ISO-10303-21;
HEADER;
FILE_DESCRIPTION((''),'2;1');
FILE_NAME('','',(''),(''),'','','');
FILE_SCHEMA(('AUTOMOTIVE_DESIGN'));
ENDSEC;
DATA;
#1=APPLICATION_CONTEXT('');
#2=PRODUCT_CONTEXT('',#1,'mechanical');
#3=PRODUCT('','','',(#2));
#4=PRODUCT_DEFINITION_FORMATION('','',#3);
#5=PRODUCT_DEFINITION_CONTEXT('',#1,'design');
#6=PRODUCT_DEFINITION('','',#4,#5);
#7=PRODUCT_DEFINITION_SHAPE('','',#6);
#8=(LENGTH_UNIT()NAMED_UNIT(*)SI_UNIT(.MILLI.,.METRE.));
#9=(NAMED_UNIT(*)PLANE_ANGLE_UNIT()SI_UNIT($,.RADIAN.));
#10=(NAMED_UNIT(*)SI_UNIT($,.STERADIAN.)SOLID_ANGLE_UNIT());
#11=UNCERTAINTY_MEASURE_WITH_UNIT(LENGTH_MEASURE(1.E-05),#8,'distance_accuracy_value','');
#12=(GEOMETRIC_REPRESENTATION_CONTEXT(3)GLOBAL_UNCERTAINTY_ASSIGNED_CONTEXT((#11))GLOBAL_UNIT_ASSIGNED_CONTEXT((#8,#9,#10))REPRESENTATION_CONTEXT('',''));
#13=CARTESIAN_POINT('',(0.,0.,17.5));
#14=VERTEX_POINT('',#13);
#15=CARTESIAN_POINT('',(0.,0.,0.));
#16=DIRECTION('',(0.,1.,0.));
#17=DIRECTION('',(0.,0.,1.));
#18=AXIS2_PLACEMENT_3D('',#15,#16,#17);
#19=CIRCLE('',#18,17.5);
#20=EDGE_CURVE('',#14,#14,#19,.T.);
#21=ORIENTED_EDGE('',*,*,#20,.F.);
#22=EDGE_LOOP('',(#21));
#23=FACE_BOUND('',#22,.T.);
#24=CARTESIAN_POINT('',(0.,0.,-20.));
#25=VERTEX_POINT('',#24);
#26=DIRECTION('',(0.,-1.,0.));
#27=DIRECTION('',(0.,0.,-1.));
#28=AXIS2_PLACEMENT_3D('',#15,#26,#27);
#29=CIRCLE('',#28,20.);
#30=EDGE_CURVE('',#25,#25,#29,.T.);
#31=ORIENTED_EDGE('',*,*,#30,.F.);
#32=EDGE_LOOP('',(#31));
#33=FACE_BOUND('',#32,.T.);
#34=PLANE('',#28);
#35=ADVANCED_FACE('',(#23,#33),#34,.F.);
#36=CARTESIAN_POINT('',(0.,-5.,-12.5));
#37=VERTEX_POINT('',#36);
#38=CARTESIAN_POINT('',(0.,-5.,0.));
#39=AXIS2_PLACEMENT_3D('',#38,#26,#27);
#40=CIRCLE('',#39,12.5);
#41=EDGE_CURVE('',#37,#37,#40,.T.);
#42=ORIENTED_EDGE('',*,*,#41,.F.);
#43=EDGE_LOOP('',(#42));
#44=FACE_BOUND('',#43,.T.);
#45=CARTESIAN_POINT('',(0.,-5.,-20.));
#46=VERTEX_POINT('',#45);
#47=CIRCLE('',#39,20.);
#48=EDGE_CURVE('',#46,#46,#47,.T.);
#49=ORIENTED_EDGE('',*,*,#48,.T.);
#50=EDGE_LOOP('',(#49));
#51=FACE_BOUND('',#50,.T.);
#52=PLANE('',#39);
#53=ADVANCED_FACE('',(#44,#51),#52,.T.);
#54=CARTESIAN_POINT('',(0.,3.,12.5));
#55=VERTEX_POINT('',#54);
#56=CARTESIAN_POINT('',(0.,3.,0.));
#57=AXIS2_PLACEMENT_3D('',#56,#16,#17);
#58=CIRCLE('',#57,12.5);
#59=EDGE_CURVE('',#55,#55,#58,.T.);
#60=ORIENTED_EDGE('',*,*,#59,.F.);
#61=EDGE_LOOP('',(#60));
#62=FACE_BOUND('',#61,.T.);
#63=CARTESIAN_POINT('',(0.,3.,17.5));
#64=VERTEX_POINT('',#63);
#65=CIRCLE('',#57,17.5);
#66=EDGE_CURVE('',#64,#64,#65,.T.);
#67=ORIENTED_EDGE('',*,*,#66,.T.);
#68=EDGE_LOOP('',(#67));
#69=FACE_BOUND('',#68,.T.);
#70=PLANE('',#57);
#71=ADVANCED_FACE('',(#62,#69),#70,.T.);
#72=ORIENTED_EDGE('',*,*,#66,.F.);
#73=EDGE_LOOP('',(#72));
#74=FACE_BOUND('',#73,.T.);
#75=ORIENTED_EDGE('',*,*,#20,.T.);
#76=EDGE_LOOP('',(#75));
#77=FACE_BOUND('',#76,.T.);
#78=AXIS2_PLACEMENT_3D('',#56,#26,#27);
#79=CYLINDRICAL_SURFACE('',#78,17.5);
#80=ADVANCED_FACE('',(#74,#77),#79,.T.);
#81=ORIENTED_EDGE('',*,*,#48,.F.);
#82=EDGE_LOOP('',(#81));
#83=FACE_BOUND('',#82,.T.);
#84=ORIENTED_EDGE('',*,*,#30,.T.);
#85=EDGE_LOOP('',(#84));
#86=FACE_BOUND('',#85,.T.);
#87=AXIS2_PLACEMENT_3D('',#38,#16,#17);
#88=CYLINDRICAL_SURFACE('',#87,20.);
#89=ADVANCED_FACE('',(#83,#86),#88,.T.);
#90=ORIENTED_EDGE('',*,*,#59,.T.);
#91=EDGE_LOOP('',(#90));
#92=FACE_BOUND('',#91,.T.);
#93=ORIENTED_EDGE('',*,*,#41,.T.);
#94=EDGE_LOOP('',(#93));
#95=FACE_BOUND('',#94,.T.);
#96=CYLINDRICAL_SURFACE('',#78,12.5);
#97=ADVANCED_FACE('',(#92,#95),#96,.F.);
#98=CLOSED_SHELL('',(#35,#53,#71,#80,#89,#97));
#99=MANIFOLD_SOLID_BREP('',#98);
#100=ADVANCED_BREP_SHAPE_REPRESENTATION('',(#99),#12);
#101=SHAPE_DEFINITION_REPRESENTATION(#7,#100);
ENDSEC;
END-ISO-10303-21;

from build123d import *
from build123d.topology import SkipClean

# Parameters (mm, degrees)
SKETCH1_R           = 17.5
SKETCH1_R_2         = 12.5
BOSS_EXTRUDE1_DEPTH = 3
BOSS_EXTRUDE2_START = 5
SKETCH2_R           = 20
SKETCH2_R_2         = 12.5
BOSS_EXTRUDE2_DEPTH = 5


with BuildPart() as part:
    # Sketch1 → Boss-Extrude1 (new body)
    with BuildSketch(Plane(origin=(0, 0, 0), x_dir=(1, 0, 0), z_dir=(0, 1, 0))):
        with Locations(Location((0, 0, 0), (0, 0, 270))):
            Circle(SKETCH1_R)
        with Locations(Location((0, 0, 0), (0, 0, 270))):
            Circle(SKETCH1_R_2, mode=Mode.SUBTRACT)
    extrude(amount=BOSS_EXTRUDE1_DEPTH)

    # Sketch2 → Boss-Extrude2 (add)
    with SkipClean():  # the faces are left unmerged after this step: merging them gives an invalid solid
        with BuildSketch(Plane.XZ.offset(BOSS_EXTRUDE2_START)):
            with Locations(Location((0, 0, 0), (0, 0, 270))):
                Circle(SKETCH2_R)
            with Locations(Location((0, 0, 0), (0, 0, 270))):
                Circle(SKETCH2_R_2, mode=Mode.SUBTRACT)
        extrude(amount=-BOSS_EXTRUDE2_DEPTH)


solid = part.part
